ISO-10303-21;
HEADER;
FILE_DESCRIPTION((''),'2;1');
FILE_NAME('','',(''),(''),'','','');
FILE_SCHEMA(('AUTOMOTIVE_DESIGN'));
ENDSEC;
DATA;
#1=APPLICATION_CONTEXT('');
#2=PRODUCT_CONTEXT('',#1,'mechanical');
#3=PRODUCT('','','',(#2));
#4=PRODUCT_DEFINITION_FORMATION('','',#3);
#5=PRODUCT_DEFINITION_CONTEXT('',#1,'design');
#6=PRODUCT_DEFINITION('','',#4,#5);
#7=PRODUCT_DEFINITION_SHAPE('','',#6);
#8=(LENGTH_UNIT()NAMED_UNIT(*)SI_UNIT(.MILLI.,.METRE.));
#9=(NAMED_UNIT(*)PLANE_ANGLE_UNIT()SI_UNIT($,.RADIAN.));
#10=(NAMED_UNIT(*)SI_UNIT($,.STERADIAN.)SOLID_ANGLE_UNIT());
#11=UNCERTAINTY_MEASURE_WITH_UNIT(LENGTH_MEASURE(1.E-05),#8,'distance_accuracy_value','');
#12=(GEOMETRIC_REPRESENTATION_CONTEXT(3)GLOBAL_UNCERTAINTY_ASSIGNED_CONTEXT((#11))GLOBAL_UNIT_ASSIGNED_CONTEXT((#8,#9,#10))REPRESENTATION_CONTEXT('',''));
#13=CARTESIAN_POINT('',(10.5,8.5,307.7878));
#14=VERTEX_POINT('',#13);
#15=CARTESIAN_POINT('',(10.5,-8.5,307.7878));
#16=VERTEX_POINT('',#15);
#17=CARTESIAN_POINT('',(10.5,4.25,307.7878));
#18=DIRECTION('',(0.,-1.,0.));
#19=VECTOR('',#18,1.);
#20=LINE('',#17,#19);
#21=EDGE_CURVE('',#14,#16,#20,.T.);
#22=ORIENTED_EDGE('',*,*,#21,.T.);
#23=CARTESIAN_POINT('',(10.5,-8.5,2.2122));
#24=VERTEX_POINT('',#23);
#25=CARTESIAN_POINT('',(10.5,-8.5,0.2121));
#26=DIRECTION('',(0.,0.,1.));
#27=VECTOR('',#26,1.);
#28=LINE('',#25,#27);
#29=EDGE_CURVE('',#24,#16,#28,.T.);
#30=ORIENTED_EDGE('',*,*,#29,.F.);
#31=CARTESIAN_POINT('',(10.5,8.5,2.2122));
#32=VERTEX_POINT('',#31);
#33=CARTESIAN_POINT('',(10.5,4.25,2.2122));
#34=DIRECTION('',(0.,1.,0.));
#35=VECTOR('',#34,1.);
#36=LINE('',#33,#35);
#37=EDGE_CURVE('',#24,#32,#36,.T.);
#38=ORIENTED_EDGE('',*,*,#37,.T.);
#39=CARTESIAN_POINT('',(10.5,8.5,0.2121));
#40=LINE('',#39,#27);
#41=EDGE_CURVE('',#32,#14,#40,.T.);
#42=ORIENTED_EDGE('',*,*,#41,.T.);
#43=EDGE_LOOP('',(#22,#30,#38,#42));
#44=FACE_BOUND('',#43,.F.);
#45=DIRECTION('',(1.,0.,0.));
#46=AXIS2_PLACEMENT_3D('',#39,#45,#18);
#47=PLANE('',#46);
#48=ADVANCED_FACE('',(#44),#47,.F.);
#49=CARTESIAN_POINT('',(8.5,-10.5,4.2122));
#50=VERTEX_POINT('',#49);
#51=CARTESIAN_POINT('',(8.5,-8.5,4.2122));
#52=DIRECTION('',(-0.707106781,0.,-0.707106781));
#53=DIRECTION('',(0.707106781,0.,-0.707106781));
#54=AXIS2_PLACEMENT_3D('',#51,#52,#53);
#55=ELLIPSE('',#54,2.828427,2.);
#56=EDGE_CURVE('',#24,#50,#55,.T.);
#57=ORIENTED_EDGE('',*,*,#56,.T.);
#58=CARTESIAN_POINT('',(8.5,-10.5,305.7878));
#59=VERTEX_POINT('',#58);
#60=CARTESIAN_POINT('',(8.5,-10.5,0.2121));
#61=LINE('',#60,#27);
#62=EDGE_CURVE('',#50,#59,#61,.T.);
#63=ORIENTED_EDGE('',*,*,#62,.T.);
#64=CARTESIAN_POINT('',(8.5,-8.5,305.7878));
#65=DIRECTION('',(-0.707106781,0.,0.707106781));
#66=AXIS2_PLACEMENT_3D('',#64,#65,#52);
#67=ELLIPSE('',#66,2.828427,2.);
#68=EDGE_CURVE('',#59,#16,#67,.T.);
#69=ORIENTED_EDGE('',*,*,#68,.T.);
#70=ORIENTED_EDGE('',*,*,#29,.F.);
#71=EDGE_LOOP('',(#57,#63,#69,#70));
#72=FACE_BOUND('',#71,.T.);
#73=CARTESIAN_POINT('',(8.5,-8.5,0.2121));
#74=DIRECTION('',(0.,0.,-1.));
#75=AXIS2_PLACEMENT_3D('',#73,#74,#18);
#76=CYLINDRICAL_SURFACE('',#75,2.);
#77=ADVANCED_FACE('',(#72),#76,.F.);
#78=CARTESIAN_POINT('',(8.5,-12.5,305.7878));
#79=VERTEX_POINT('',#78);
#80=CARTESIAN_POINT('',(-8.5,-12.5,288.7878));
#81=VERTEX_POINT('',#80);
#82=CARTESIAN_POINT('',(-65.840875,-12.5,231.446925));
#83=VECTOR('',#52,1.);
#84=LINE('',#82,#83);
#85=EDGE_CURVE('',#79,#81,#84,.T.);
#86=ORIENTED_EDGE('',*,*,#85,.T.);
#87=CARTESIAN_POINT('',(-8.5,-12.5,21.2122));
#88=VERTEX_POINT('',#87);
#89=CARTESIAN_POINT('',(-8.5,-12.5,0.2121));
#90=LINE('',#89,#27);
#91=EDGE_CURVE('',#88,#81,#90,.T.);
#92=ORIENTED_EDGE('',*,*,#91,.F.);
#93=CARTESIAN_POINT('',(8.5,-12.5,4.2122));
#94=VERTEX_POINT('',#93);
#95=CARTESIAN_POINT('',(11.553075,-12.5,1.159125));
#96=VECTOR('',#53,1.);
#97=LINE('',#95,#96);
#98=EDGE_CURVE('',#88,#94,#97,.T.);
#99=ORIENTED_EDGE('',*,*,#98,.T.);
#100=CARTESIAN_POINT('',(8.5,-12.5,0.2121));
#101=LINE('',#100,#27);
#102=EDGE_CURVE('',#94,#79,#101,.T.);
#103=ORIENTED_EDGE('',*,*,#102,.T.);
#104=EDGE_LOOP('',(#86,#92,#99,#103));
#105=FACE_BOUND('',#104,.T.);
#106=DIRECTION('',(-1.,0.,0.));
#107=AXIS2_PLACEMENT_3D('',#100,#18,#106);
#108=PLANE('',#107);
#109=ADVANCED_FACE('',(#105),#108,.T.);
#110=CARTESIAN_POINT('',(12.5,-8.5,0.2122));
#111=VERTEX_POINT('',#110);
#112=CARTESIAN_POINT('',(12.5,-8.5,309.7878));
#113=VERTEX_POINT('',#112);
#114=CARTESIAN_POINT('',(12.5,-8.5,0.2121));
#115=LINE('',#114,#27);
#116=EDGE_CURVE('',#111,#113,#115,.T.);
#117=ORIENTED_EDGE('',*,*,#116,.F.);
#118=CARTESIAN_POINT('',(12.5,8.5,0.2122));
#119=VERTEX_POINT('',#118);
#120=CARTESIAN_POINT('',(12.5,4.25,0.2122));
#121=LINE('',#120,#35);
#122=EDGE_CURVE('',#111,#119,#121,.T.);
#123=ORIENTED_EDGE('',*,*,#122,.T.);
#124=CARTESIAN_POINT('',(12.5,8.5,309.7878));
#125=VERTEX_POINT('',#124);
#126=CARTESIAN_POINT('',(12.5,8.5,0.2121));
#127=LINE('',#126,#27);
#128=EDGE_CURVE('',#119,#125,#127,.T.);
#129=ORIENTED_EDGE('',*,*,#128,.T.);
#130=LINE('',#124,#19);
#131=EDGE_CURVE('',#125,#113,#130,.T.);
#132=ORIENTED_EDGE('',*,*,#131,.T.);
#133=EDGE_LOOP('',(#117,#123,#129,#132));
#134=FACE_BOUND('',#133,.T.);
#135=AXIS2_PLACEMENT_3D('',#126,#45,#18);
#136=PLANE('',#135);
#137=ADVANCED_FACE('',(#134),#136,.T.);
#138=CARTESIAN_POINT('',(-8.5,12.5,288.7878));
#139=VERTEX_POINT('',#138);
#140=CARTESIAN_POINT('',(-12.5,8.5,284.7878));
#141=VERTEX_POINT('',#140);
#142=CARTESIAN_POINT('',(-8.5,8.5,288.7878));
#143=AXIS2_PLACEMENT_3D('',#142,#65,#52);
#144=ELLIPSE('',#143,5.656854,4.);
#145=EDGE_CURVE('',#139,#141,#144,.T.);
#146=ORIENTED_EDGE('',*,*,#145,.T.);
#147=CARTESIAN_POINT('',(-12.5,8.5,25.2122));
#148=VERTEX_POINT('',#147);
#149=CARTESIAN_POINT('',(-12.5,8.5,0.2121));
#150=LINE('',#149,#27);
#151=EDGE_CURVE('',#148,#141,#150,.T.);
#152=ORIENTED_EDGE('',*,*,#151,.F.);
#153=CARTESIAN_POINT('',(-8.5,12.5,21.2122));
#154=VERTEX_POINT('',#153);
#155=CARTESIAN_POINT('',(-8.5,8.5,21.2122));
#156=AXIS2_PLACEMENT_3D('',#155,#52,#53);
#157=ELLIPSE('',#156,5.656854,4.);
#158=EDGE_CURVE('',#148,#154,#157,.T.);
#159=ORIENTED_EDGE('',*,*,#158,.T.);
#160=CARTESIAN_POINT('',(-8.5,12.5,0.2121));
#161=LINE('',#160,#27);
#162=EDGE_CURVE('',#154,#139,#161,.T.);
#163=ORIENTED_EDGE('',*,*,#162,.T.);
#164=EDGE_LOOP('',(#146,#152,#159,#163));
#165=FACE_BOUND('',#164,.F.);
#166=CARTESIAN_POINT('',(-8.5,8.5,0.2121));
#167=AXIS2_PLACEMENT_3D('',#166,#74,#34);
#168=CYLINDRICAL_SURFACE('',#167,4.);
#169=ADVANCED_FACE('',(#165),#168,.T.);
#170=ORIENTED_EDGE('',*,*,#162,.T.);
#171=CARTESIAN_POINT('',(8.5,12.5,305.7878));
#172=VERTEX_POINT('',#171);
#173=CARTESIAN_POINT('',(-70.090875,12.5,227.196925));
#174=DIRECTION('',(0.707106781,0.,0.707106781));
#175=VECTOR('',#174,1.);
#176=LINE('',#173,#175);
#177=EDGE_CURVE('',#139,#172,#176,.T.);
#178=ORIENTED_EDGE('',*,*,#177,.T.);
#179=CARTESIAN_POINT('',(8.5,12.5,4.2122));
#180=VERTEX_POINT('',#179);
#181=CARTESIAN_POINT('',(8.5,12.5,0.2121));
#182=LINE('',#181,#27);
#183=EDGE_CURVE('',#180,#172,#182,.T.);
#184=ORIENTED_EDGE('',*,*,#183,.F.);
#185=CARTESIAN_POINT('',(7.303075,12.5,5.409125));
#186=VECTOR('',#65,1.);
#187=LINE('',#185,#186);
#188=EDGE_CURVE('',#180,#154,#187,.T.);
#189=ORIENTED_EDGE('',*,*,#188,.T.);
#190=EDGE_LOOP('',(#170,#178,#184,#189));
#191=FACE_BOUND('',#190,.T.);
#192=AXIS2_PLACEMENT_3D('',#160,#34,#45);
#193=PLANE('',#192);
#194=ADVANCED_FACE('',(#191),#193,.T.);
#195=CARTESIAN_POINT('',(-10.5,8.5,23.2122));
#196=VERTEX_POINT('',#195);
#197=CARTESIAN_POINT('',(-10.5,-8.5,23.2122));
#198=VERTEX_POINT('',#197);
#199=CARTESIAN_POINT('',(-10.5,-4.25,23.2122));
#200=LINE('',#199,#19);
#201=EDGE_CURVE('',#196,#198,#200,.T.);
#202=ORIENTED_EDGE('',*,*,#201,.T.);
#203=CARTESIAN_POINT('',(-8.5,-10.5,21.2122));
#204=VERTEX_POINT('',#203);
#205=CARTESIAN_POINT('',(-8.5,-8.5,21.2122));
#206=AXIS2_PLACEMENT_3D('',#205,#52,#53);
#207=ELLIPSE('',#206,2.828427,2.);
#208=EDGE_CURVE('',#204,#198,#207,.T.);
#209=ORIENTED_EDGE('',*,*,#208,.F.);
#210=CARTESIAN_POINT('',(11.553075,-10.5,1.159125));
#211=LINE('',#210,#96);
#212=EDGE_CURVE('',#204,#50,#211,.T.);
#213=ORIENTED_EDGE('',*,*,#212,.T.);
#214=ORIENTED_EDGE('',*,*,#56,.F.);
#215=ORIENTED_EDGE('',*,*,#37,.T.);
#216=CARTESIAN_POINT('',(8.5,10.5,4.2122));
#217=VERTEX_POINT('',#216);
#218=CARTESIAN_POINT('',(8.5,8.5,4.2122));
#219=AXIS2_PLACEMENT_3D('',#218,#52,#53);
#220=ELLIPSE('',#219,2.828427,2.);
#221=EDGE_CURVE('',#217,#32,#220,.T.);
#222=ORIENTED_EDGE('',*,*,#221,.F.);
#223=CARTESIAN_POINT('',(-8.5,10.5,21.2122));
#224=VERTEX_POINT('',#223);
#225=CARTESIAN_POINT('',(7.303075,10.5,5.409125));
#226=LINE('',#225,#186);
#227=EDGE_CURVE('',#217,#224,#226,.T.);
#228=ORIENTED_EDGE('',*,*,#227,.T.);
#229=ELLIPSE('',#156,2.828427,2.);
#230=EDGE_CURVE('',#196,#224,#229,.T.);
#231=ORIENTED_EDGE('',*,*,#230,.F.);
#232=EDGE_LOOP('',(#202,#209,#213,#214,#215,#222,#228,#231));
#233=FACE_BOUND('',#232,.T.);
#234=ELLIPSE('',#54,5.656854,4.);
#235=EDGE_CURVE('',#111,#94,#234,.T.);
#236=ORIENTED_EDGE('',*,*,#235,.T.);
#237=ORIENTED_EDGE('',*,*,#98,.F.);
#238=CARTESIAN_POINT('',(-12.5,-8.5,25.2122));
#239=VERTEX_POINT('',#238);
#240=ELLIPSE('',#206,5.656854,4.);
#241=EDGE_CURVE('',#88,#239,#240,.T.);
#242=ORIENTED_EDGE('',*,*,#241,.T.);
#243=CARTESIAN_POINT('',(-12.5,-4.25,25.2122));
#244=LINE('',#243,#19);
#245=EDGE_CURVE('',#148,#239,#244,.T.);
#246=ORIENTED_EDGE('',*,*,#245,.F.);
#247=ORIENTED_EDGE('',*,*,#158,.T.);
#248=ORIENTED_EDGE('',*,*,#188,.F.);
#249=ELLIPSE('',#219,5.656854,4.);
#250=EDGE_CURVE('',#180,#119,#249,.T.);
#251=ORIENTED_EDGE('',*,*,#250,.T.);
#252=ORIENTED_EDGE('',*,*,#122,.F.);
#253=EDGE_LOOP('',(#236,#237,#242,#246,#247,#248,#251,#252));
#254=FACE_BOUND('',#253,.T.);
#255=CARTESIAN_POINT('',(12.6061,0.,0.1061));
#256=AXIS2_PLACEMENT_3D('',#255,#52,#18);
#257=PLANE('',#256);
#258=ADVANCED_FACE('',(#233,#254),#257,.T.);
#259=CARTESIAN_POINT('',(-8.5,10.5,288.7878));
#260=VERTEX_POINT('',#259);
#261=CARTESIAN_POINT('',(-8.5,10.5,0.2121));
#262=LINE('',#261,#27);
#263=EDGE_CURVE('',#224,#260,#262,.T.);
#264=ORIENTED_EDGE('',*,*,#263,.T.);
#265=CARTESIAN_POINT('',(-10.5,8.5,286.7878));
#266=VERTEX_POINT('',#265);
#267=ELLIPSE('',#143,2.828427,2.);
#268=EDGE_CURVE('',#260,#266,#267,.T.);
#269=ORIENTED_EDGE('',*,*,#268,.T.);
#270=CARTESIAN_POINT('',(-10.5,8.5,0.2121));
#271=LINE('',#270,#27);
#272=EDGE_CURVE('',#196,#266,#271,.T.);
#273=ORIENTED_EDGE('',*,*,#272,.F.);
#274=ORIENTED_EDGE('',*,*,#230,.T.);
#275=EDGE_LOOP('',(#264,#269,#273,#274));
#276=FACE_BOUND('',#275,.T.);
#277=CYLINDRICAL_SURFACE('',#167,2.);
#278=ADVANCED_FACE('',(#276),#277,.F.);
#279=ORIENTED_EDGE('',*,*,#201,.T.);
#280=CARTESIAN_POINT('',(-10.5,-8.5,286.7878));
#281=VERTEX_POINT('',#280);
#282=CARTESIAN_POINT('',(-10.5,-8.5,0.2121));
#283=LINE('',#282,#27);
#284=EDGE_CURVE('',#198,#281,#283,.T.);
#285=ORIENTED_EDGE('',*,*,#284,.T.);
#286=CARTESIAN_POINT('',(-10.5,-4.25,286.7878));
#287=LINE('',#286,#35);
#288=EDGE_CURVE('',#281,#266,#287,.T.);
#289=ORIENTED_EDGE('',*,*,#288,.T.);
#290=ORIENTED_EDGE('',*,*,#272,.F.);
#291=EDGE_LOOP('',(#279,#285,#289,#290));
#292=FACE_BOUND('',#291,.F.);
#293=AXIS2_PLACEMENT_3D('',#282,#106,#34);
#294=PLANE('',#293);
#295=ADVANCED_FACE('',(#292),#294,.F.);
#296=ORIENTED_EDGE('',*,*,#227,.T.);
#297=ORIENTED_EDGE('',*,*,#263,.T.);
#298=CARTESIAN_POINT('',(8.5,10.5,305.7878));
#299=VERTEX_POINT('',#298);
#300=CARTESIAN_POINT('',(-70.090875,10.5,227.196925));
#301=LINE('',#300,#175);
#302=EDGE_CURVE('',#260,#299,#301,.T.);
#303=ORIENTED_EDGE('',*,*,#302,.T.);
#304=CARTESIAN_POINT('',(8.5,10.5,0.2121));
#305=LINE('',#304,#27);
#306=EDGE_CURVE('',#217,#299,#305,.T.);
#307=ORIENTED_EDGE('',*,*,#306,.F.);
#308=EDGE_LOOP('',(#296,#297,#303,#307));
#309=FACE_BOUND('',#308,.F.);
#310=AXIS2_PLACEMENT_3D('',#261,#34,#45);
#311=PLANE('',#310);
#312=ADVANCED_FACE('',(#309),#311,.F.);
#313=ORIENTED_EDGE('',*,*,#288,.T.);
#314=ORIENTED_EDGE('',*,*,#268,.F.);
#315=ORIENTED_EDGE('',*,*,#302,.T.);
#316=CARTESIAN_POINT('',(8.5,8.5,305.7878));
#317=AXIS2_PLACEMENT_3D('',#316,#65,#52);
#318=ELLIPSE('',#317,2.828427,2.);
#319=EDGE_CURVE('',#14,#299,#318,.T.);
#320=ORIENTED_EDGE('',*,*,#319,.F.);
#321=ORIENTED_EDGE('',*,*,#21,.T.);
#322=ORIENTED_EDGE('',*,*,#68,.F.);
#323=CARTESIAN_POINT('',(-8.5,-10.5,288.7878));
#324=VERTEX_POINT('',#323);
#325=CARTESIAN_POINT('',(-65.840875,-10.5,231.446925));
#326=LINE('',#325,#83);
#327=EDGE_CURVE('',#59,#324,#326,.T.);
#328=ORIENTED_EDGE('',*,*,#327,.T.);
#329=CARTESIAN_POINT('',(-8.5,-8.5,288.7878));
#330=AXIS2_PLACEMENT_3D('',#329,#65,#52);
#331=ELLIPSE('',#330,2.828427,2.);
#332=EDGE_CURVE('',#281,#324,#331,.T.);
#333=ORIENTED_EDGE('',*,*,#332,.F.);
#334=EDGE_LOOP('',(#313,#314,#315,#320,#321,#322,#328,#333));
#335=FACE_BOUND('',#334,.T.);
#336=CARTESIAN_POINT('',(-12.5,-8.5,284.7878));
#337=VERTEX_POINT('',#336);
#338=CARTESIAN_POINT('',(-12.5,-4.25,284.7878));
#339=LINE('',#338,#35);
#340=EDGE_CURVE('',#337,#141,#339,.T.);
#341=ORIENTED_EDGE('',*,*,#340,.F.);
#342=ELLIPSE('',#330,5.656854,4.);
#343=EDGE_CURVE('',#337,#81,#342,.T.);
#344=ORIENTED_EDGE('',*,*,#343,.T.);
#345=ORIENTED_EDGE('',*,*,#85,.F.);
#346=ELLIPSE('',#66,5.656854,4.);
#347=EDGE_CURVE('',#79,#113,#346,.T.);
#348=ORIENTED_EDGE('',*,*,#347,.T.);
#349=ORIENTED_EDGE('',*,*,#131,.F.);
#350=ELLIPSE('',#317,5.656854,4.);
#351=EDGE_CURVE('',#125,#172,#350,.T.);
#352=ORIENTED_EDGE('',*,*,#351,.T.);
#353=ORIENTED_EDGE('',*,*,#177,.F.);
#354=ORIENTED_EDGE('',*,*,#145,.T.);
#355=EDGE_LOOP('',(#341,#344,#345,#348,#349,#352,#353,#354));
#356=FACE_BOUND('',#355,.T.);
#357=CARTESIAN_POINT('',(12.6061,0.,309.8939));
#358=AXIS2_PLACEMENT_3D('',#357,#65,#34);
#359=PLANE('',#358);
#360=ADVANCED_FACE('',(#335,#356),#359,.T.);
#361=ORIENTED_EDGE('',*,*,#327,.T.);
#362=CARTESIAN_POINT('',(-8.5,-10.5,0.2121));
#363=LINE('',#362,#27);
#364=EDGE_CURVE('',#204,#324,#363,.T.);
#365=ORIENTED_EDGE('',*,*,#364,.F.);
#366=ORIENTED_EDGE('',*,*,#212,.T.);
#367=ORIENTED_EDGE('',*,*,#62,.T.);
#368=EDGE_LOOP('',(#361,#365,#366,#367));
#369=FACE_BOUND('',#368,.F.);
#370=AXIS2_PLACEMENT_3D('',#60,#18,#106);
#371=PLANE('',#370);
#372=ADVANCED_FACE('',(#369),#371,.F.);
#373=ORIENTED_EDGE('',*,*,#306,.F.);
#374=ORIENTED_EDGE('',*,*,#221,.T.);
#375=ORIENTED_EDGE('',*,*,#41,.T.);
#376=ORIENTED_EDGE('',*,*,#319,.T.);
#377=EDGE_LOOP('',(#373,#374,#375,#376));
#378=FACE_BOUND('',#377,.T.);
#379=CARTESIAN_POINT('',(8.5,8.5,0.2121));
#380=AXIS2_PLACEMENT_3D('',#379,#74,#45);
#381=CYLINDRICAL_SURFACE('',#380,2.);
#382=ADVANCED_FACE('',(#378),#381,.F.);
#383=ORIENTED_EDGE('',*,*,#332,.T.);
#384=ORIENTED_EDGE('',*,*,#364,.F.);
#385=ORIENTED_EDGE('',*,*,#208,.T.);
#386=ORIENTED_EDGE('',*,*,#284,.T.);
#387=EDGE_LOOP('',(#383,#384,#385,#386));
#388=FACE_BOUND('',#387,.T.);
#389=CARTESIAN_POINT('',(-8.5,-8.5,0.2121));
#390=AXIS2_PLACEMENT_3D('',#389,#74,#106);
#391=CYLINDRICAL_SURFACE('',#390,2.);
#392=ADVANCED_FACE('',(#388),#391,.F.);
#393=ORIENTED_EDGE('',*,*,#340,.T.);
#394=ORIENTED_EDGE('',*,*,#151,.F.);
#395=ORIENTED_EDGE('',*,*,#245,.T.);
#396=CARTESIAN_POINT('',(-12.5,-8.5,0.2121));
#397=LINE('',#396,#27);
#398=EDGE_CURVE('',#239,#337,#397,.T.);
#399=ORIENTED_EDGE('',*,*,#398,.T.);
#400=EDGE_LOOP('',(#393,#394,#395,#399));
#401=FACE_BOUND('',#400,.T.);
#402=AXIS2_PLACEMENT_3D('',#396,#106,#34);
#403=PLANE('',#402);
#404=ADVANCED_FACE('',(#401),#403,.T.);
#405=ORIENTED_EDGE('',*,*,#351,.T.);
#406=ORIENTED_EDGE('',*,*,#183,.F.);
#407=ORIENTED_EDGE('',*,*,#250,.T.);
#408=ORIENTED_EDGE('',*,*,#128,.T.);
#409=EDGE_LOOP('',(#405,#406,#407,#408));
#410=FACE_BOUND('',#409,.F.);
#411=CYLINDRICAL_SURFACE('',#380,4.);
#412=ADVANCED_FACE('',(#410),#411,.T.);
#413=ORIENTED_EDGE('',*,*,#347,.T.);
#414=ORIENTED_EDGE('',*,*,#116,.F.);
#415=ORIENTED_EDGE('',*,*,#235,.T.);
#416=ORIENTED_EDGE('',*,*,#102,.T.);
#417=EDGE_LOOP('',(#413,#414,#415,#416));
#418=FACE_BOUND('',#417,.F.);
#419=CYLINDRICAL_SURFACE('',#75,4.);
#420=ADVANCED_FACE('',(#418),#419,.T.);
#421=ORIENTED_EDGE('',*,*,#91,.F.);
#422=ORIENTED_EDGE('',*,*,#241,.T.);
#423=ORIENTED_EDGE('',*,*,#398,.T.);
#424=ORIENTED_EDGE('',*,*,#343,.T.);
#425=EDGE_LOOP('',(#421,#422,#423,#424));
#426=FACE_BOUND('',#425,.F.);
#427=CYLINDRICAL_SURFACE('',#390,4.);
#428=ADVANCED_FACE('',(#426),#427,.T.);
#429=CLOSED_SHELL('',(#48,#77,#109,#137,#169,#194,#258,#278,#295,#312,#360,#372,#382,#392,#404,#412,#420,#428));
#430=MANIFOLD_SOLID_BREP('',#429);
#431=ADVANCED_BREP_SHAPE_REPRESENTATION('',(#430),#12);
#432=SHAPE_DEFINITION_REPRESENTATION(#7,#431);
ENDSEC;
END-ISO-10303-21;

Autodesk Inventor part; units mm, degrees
ref_plane "Start plane" through (0, 0, 0.2121) normal (0, 0, 1) x (1, 0, 0)
ref_plane "End plane" through (0, 0, 309.7879) normal (0, 0, 1) x (1, 0, 0)
sketch "Sketch" plane through (0, 0, 0) normal (0, 0, 1) x (1, 0, 0)
  line L0 (-12.5, -8.5) -> (-12.5, 8.5)
  line L1 (-8.5, 12.5) -> (8.5, 12.5)
  line L2 (12.5, 8.5) -> (12.5, -8.5)
  line L3 (8.5, -12.5) -> (-8.5, -12.5)
  arc A0 (-12.5, -8.5) -> (-8.5, -12.5) centre (-8.5, -8.5) ccw
  arc A1 (12.5, 8.5) -> (8.5, 12.5) centre (8.5, 8.5) ccw
  arc A2 (-8.5, 12.5) -> (-12.5, 8.5) centre (-8.5, 8.5) ccw
  arc A3 (8.5, -12.5) -> (12.5, -8.5) centre (8.5, -8.5) ccw
  arc A4 (-8.5, 10.5) -> (-10.5, 8.5) centre (-8.5, 8.5) ccw
  line L4 (-8.5, 10.5) -> (8.5, 10.5)
  arc A5 (10.5, 8.5) -> (8.5, 10.5) centre (8.5, 8.5) ccw
  line L5 (10.5, 8.5) -> (10.5, -8.5)
  arc A6 (8.5, -10.5) -> (10.5, -8.5) centre (8.5, -8.5) ccw
  line L6 (8.5, -10.5) -> (-8.5, -10.5)
  arc A7 (-10.5, -8.5) -> (-8.5, -10.5) centre (-8.5, -8.5) ccw
  line L7 (-10.5, -8.5) -> (-10.5, 8.5)
  line L8 (0, 18.6598) -> (0, -18.6598) construction
  line L9 (-18.6598, 0) -> (18.6598, 0) construction
  dimension "d7" = 4
  dimension "d9" = 25
  dimension "d11" = 25
  dimension "d12" = 2
  dimension "d15" = 12.5
  dimension "d16" = 12.5
extrude "Body" add sketch "Sketch" along normal up to surface (309.5757 mm away) from surface at 0.2121
sketch "Sketch3" plane through (0, 0, 0) normal (0, 0, 1) x (1, 0, 0)
  line L0 (0, 0) -> (10, 0)
ref_plane "Work Plane3" through (0, 0, 0) normal (0, -1, 0) x (1, 0, 0)
sketch "Sketch4" plane through (0, 0, 0) normal (0, -1, 0) x (1, 0, 0)
  line L0 (-2, 0.2121) -> (12, 0.2121)
  line L1 (-2, 309.7879) -> (12, 309.7879)
  dimension "d18" = 309.5757
ref_plane "Work Plane4" through (12.6061, 0, 309.8939) normal (-0.7071, 0, 0.7071) x (0.7071, 0, 0.7071)
split "Split1" plane through (12.6061, 0, 309.8939) removes the side toward (-0.7071, 0, 0.7071)
ref_plane "Work Plane5" through (12.6061, 0, 0.1061) normal (-0.7071, 0, -0.7071) x (-0.7071, 0, 0.7071)
split "Split2" plane through (12.6061, 0, 0.1061) removes the side toward (-0.7071, 0, -0.7071)
equation "\"d7\" = G_IR"
equation "\"d9\" = G_W"
equation "\"d11\" = G_H"
equation "\"d12\" = G_T"
equation "\"d15\" = 0.5 * d9"
equation "\"d16\" = 0.5 * d11"
equation "\"d3\" = G_L"
equation "\"G_W\" = 25"
equation "\"G_H\" = 25"
equation "\"G_T\" = 2"
equation "\"G_IR\" = 4"
equation "\"G_L\" = d18"
equation "\"G_OFFSET_START\" = -0.21213"
equation "\"G_OFFSET_END\" = -0.21213"
equation "\"d13\" = -G_OFFSET_START"
equation "\"d14\" = G_OFFSET_END + B_L"
equation "\"B_L\" = 310"
properties part number "ISO 4019 - 25x25x2 - 309.576" material "Steel, Mild"
